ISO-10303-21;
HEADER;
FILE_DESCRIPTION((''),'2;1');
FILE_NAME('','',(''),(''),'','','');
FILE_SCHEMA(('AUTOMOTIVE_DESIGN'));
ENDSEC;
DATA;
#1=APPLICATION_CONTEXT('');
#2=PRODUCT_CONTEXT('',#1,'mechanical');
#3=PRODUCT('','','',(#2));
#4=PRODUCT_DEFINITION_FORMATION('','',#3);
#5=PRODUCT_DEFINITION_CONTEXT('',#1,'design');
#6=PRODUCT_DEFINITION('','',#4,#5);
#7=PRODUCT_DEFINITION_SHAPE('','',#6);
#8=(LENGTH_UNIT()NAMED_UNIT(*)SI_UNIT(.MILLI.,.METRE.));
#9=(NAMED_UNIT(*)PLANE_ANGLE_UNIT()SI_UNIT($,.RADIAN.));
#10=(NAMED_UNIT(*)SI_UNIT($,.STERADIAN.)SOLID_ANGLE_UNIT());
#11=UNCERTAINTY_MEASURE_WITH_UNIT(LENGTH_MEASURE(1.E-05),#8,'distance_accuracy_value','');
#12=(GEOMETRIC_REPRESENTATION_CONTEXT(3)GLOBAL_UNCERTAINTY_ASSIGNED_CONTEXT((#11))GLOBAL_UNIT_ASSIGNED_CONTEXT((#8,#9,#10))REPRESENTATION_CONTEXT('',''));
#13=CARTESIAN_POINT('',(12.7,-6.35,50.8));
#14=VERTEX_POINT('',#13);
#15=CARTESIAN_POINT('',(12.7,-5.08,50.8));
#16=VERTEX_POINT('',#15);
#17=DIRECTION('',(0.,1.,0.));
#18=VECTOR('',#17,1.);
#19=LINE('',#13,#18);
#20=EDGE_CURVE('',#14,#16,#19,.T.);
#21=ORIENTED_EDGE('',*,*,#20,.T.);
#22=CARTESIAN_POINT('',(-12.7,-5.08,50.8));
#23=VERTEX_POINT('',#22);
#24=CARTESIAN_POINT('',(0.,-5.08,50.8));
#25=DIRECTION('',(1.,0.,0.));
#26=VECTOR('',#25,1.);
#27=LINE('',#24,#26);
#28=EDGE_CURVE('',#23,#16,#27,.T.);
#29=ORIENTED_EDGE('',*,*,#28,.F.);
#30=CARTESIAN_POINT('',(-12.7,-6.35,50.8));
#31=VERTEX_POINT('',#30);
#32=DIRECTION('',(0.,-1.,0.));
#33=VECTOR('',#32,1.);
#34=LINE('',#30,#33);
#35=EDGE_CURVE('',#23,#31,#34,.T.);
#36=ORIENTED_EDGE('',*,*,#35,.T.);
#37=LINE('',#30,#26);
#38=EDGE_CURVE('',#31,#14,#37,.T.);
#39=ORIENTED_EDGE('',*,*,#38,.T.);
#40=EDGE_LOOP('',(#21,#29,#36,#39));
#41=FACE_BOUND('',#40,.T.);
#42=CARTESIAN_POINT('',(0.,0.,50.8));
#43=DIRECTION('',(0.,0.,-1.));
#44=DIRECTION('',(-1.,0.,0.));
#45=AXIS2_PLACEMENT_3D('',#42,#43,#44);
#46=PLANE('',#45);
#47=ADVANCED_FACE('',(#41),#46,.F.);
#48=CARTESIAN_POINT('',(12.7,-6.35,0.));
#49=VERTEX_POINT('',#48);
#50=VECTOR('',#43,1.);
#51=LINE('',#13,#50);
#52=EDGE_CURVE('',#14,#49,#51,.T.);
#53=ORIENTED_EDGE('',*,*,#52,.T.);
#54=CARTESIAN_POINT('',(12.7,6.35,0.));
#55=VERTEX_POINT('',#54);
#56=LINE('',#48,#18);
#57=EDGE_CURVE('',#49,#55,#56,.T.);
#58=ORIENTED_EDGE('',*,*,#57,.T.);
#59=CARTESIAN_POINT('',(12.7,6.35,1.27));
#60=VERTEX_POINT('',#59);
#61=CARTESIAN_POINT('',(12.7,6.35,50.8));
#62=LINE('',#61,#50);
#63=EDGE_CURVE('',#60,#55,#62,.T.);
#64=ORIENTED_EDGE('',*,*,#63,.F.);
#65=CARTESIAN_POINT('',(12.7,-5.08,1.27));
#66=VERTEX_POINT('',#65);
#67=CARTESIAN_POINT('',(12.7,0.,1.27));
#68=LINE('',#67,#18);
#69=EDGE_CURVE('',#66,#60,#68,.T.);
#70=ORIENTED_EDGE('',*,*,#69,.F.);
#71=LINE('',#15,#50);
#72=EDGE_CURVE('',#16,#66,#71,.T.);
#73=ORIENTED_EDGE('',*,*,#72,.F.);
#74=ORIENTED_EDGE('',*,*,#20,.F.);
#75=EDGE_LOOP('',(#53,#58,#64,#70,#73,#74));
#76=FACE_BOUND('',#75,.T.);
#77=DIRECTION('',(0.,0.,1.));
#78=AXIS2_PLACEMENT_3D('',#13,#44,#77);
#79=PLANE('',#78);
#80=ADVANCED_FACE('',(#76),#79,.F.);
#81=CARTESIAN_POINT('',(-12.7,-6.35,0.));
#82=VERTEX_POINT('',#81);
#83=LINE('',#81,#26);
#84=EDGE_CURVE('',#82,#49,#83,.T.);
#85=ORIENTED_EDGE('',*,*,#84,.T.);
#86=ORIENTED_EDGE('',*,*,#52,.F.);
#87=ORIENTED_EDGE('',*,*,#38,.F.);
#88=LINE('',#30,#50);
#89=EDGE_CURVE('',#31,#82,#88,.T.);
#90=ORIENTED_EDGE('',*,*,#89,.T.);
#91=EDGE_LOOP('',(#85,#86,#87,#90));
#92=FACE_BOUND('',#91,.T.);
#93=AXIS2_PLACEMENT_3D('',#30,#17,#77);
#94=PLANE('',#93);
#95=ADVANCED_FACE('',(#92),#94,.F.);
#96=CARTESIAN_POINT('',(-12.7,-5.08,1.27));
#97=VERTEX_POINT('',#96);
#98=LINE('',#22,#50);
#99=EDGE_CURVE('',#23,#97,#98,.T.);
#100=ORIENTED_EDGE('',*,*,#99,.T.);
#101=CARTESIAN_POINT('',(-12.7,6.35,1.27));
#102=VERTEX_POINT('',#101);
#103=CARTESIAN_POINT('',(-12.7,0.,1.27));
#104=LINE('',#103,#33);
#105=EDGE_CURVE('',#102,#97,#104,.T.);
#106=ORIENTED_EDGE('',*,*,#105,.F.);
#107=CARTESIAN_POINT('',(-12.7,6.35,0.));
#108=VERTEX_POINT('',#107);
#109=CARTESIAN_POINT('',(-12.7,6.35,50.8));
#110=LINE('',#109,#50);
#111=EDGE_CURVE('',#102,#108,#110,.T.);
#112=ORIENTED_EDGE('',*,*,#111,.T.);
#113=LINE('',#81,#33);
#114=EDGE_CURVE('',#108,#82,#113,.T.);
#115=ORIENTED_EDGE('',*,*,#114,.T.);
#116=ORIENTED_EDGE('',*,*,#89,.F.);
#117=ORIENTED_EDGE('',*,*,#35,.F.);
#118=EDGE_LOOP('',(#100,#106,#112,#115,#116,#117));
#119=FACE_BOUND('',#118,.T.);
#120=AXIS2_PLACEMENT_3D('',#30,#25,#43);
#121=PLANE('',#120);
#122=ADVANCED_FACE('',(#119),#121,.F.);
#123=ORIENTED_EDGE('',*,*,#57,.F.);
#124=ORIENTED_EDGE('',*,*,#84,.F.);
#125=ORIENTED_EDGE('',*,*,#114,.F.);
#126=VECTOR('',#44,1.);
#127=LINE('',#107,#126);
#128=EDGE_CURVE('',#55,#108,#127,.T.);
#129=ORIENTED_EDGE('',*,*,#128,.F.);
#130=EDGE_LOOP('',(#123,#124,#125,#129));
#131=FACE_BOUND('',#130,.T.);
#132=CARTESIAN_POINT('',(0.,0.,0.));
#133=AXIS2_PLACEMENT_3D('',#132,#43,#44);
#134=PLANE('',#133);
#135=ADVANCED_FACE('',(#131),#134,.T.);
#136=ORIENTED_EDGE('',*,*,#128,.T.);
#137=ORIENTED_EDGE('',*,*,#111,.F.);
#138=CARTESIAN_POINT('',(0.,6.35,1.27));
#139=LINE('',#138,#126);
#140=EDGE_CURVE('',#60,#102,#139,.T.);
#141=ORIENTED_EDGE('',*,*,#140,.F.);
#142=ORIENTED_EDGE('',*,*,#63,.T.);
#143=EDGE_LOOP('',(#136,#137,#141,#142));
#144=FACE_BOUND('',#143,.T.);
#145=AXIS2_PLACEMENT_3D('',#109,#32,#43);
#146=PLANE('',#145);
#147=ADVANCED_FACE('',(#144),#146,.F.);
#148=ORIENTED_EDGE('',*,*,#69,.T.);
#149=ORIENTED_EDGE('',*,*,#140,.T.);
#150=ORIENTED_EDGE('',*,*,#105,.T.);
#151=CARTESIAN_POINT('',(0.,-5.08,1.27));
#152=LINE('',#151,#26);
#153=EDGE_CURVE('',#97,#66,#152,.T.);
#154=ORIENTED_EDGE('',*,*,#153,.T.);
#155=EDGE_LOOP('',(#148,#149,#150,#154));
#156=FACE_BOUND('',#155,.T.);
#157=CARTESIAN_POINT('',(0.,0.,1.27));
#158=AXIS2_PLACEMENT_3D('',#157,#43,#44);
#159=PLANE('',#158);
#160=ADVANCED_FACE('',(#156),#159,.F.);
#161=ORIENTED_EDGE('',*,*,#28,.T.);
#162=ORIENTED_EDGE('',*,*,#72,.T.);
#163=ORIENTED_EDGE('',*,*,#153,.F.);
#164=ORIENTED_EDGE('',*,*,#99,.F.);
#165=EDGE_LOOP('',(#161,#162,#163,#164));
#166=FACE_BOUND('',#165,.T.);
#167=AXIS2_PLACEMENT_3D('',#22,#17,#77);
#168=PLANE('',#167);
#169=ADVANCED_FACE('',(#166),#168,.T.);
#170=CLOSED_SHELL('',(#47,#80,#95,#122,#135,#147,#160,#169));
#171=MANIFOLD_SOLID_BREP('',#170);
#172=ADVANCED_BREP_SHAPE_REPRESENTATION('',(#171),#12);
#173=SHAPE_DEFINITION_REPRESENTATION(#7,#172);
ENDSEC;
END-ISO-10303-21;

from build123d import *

# Parameters (mm, degrees)
SKETCH1_W           = 25.4
SKETCH1_H           = 12.7
BOSS_EXTRUDE1_DEPTH = 50.8
SHELL1_T            = -1.27


with BuildPart() as part:
    # Sketch1 → Boss-Extrude1 (new body)
    with BuildSketch(Plane.XY):
        Rectangle(SKETCH1_W, SKETCH1_H)
    extrude(amount=BOSS_EXTRUDE1_DEPTH)

    # Shell1
    shell1_openings = [part.faces().sort_by_distance(p)[0] for p in [
        (0, 0, 50.8),
        (-12.7, 0, 25.4),
        (0, 6.35, 25.4),
        (12.7, 0, 25.4),
    ]]
    offset(amount=SHELL1_T, openings=shell1_openings, kind=Kind.INTERSECTION)


solid = part.part
